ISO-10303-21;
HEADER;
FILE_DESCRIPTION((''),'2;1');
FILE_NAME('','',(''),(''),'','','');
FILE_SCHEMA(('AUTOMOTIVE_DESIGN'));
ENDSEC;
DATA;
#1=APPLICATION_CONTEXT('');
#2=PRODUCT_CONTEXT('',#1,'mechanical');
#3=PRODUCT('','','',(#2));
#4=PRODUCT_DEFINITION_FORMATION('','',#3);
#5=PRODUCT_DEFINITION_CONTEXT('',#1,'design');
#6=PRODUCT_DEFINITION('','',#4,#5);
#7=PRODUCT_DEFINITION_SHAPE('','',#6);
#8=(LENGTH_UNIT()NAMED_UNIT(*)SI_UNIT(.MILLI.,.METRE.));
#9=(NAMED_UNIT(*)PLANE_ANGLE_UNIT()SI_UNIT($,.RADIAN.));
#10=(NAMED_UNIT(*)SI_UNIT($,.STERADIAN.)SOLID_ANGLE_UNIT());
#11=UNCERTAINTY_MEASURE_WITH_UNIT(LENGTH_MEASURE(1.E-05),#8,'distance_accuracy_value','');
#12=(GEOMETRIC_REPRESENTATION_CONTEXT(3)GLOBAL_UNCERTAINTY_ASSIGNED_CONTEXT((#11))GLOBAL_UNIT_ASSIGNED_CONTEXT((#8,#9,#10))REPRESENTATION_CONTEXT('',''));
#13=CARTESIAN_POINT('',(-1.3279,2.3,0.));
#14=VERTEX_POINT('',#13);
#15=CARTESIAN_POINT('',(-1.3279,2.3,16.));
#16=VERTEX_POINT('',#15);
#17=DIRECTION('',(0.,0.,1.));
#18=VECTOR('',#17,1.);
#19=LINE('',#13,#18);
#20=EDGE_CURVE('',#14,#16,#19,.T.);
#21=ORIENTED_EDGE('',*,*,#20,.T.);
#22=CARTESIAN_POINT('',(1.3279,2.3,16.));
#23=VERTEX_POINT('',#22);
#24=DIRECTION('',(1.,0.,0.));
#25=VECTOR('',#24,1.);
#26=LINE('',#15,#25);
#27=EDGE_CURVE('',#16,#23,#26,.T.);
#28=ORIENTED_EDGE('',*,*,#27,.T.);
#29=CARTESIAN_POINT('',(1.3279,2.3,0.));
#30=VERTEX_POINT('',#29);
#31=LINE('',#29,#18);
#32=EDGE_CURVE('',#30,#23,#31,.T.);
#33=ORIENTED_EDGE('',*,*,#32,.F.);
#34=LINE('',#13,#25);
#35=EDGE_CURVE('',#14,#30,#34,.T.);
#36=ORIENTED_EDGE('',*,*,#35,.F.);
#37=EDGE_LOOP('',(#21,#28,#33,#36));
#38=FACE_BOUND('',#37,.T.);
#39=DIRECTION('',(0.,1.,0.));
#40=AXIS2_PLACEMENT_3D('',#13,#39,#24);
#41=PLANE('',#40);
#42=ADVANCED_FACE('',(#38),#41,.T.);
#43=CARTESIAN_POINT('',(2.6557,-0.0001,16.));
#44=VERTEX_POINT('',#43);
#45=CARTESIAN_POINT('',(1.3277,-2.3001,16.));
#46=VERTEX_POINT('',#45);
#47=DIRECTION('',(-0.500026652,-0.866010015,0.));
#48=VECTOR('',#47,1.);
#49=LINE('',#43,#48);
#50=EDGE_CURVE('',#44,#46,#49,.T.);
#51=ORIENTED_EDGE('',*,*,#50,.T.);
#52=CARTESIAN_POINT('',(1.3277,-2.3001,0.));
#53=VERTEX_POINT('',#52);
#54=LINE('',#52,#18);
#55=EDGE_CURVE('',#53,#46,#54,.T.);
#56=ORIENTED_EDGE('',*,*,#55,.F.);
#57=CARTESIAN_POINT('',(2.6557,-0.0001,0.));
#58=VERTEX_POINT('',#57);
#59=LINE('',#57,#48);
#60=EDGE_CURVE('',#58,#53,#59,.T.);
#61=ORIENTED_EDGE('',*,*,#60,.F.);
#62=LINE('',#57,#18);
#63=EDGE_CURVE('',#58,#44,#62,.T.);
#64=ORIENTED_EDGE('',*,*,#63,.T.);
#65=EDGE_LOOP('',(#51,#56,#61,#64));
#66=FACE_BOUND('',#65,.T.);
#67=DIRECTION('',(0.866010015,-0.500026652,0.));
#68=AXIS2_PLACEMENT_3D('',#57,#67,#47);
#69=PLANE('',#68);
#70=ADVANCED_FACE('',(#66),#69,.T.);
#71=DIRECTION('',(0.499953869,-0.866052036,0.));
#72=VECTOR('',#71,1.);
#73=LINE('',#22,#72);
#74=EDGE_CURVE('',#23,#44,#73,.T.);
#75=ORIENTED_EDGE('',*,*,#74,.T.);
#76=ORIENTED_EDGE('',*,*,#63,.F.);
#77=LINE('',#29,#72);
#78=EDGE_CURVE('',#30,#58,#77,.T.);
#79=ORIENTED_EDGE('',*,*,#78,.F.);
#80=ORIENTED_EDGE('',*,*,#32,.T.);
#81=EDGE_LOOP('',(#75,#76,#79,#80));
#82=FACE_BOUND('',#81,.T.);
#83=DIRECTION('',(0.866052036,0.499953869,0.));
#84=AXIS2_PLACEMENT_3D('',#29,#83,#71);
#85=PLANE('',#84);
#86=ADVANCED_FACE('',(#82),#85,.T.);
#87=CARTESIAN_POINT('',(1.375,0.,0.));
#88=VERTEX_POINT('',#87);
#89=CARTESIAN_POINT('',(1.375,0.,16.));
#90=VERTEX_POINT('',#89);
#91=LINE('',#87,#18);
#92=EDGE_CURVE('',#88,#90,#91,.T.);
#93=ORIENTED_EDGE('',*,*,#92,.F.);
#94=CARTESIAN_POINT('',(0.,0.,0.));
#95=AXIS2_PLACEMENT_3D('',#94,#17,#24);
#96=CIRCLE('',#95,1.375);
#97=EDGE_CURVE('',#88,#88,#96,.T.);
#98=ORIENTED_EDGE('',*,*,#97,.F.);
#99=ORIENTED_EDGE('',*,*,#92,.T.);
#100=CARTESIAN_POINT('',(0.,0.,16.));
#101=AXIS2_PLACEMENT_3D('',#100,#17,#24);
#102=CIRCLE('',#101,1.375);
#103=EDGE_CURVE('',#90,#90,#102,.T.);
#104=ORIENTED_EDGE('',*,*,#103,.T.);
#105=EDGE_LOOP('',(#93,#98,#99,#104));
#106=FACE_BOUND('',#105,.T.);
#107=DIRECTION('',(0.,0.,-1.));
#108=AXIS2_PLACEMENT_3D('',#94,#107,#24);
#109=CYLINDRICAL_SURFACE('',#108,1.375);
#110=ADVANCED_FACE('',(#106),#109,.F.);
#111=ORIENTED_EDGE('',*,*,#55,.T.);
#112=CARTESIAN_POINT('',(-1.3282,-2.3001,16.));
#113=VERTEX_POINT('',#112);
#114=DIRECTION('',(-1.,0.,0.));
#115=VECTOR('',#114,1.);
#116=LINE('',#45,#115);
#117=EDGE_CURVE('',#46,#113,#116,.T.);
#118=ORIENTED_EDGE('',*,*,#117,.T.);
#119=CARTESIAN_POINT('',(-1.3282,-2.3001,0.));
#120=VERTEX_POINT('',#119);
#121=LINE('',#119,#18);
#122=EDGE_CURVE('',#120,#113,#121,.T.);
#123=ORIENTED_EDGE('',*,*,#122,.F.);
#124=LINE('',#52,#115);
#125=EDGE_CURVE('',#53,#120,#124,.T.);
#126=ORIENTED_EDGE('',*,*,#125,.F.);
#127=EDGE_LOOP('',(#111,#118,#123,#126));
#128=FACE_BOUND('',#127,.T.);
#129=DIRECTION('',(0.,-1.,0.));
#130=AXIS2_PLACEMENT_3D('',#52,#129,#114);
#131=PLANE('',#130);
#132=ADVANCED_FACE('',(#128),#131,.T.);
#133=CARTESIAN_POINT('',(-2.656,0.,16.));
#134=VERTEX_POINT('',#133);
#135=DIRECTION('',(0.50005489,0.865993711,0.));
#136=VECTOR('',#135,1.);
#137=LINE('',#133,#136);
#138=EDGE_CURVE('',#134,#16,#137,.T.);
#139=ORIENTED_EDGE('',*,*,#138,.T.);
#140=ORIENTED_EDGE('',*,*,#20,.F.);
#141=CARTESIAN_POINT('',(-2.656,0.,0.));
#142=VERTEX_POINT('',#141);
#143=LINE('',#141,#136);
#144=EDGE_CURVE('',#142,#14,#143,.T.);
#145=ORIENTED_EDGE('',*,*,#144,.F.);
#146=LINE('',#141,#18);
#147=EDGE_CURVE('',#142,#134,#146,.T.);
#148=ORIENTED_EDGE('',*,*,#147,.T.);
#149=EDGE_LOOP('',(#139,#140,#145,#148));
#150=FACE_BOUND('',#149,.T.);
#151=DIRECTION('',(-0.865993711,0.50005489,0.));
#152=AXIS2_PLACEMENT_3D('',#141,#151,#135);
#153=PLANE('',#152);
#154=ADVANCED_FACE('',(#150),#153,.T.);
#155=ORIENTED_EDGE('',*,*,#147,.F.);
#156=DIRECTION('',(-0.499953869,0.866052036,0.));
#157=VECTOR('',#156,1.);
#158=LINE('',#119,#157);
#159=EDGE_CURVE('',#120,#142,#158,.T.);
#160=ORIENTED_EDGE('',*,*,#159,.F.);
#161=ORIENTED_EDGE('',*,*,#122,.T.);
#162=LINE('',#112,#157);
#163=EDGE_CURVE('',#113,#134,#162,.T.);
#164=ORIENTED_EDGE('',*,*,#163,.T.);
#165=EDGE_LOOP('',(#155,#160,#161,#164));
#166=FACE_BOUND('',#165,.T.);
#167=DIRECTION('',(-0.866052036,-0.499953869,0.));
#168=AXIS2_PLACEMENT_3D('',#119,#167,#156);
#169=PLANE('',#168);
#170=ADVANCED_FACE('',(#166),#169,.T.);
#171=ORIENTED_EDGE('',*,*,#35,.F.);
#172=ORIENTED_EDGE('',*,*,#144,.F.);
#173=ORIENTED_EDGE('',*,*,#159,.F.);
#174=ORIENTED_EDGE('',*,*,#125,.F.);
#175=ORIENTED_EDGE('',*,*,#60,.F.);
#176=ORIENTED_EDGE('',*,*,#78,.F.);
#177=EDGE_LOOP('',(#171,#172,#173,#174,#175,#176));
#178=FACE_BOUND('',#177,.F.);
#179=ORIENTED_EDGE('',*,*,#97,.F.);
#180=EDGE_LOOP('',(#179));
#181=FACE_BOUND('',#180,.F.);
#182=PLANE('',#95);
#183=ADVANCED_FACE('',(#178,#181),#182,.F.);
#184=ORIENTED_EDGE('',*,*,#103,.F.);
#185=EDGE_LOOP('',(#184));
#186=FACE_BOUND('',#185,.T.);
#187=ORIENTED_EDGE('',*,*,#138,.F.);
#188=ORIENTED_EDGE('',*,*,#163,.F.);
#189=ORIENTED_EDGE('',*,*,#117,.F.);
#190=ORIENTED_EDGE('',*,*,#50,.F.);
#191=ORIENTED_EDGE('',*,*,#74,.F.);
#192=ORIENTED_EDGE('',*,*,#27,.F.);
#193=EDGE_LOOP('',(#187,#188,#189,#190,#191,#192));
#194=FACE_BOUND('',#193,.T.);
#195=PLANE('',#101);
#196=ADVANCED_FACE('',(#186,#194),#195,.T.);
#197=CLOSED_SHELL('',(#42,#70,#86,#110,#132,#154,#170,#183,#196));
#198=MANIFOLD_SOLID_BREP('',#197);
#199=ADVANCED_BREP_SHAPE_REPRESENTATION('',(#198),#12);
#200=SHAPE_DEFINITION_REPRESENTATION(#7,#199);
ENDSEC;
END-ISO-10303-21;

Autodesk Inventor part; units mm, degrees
ref_plane "YZ Plane" through (0, 0, 0) normal (1, 0, 0) x (0, 1, 0)
ref_plane "XZ Plane" through (0, 0, 0) normal (0, 1, 0) x (-1, 0, 0)
ref_plane "XY Plane" through (0, 0, 0) normal (0, 0, 1) x (1, 0, 0)
sketch "Sketch1" plane through (0, 0, 0) normal (0, 0, 1) x (1, 0, 0)
  line L0 (-1.3279, 2.3) -> (1.3279, 2.3)
  line L1 (0, 2.3) -> (0, 0) construction
  circle A0 centre (0, 0) radius 2.3 construction
  line L2 (-2.656, 0) -> (-1.3279, 2.3)
  line L3 (-1.9919, 1.15) -> (0, 0) construction
  line L4 (-1.3282, -2.3001) -> (-2.656, 0)
  line L5 (-1.9919, -1.15) -> (0, 0) construction
  line L6 (1.3277, -2.3001) -> (-1.3282, -2.3001)
  line L7 (0, -2.3) -> (0, 0) construction
  line L8 (2.6557, -0.0001) -> (1.3277, -2.3001)
  line L9 (1.9919, -1.15) -> (0, 0) construction
  line L10 (1.3279, 2.3) -> (2.6557, -0.0001)
  line L11 (1.9919, 1.15) -> (0, 0) construction
  circle A1 centre (0, 0) radius 1.375
  point P0 (-2.656, 0)
  point P1 (2.6557, -0.0001)
  point P2 (-2.656, 0)
  dimension "d8" = 120
  dimension "d9" = 120.003
  dimension "d11" = 4.6
  dimension "d0" = 2.3
  dimension "d13" = 2.75
extrude "Extrusion1" add sketch "Sketch1" along normal blind 16
properties part number "spacer"
